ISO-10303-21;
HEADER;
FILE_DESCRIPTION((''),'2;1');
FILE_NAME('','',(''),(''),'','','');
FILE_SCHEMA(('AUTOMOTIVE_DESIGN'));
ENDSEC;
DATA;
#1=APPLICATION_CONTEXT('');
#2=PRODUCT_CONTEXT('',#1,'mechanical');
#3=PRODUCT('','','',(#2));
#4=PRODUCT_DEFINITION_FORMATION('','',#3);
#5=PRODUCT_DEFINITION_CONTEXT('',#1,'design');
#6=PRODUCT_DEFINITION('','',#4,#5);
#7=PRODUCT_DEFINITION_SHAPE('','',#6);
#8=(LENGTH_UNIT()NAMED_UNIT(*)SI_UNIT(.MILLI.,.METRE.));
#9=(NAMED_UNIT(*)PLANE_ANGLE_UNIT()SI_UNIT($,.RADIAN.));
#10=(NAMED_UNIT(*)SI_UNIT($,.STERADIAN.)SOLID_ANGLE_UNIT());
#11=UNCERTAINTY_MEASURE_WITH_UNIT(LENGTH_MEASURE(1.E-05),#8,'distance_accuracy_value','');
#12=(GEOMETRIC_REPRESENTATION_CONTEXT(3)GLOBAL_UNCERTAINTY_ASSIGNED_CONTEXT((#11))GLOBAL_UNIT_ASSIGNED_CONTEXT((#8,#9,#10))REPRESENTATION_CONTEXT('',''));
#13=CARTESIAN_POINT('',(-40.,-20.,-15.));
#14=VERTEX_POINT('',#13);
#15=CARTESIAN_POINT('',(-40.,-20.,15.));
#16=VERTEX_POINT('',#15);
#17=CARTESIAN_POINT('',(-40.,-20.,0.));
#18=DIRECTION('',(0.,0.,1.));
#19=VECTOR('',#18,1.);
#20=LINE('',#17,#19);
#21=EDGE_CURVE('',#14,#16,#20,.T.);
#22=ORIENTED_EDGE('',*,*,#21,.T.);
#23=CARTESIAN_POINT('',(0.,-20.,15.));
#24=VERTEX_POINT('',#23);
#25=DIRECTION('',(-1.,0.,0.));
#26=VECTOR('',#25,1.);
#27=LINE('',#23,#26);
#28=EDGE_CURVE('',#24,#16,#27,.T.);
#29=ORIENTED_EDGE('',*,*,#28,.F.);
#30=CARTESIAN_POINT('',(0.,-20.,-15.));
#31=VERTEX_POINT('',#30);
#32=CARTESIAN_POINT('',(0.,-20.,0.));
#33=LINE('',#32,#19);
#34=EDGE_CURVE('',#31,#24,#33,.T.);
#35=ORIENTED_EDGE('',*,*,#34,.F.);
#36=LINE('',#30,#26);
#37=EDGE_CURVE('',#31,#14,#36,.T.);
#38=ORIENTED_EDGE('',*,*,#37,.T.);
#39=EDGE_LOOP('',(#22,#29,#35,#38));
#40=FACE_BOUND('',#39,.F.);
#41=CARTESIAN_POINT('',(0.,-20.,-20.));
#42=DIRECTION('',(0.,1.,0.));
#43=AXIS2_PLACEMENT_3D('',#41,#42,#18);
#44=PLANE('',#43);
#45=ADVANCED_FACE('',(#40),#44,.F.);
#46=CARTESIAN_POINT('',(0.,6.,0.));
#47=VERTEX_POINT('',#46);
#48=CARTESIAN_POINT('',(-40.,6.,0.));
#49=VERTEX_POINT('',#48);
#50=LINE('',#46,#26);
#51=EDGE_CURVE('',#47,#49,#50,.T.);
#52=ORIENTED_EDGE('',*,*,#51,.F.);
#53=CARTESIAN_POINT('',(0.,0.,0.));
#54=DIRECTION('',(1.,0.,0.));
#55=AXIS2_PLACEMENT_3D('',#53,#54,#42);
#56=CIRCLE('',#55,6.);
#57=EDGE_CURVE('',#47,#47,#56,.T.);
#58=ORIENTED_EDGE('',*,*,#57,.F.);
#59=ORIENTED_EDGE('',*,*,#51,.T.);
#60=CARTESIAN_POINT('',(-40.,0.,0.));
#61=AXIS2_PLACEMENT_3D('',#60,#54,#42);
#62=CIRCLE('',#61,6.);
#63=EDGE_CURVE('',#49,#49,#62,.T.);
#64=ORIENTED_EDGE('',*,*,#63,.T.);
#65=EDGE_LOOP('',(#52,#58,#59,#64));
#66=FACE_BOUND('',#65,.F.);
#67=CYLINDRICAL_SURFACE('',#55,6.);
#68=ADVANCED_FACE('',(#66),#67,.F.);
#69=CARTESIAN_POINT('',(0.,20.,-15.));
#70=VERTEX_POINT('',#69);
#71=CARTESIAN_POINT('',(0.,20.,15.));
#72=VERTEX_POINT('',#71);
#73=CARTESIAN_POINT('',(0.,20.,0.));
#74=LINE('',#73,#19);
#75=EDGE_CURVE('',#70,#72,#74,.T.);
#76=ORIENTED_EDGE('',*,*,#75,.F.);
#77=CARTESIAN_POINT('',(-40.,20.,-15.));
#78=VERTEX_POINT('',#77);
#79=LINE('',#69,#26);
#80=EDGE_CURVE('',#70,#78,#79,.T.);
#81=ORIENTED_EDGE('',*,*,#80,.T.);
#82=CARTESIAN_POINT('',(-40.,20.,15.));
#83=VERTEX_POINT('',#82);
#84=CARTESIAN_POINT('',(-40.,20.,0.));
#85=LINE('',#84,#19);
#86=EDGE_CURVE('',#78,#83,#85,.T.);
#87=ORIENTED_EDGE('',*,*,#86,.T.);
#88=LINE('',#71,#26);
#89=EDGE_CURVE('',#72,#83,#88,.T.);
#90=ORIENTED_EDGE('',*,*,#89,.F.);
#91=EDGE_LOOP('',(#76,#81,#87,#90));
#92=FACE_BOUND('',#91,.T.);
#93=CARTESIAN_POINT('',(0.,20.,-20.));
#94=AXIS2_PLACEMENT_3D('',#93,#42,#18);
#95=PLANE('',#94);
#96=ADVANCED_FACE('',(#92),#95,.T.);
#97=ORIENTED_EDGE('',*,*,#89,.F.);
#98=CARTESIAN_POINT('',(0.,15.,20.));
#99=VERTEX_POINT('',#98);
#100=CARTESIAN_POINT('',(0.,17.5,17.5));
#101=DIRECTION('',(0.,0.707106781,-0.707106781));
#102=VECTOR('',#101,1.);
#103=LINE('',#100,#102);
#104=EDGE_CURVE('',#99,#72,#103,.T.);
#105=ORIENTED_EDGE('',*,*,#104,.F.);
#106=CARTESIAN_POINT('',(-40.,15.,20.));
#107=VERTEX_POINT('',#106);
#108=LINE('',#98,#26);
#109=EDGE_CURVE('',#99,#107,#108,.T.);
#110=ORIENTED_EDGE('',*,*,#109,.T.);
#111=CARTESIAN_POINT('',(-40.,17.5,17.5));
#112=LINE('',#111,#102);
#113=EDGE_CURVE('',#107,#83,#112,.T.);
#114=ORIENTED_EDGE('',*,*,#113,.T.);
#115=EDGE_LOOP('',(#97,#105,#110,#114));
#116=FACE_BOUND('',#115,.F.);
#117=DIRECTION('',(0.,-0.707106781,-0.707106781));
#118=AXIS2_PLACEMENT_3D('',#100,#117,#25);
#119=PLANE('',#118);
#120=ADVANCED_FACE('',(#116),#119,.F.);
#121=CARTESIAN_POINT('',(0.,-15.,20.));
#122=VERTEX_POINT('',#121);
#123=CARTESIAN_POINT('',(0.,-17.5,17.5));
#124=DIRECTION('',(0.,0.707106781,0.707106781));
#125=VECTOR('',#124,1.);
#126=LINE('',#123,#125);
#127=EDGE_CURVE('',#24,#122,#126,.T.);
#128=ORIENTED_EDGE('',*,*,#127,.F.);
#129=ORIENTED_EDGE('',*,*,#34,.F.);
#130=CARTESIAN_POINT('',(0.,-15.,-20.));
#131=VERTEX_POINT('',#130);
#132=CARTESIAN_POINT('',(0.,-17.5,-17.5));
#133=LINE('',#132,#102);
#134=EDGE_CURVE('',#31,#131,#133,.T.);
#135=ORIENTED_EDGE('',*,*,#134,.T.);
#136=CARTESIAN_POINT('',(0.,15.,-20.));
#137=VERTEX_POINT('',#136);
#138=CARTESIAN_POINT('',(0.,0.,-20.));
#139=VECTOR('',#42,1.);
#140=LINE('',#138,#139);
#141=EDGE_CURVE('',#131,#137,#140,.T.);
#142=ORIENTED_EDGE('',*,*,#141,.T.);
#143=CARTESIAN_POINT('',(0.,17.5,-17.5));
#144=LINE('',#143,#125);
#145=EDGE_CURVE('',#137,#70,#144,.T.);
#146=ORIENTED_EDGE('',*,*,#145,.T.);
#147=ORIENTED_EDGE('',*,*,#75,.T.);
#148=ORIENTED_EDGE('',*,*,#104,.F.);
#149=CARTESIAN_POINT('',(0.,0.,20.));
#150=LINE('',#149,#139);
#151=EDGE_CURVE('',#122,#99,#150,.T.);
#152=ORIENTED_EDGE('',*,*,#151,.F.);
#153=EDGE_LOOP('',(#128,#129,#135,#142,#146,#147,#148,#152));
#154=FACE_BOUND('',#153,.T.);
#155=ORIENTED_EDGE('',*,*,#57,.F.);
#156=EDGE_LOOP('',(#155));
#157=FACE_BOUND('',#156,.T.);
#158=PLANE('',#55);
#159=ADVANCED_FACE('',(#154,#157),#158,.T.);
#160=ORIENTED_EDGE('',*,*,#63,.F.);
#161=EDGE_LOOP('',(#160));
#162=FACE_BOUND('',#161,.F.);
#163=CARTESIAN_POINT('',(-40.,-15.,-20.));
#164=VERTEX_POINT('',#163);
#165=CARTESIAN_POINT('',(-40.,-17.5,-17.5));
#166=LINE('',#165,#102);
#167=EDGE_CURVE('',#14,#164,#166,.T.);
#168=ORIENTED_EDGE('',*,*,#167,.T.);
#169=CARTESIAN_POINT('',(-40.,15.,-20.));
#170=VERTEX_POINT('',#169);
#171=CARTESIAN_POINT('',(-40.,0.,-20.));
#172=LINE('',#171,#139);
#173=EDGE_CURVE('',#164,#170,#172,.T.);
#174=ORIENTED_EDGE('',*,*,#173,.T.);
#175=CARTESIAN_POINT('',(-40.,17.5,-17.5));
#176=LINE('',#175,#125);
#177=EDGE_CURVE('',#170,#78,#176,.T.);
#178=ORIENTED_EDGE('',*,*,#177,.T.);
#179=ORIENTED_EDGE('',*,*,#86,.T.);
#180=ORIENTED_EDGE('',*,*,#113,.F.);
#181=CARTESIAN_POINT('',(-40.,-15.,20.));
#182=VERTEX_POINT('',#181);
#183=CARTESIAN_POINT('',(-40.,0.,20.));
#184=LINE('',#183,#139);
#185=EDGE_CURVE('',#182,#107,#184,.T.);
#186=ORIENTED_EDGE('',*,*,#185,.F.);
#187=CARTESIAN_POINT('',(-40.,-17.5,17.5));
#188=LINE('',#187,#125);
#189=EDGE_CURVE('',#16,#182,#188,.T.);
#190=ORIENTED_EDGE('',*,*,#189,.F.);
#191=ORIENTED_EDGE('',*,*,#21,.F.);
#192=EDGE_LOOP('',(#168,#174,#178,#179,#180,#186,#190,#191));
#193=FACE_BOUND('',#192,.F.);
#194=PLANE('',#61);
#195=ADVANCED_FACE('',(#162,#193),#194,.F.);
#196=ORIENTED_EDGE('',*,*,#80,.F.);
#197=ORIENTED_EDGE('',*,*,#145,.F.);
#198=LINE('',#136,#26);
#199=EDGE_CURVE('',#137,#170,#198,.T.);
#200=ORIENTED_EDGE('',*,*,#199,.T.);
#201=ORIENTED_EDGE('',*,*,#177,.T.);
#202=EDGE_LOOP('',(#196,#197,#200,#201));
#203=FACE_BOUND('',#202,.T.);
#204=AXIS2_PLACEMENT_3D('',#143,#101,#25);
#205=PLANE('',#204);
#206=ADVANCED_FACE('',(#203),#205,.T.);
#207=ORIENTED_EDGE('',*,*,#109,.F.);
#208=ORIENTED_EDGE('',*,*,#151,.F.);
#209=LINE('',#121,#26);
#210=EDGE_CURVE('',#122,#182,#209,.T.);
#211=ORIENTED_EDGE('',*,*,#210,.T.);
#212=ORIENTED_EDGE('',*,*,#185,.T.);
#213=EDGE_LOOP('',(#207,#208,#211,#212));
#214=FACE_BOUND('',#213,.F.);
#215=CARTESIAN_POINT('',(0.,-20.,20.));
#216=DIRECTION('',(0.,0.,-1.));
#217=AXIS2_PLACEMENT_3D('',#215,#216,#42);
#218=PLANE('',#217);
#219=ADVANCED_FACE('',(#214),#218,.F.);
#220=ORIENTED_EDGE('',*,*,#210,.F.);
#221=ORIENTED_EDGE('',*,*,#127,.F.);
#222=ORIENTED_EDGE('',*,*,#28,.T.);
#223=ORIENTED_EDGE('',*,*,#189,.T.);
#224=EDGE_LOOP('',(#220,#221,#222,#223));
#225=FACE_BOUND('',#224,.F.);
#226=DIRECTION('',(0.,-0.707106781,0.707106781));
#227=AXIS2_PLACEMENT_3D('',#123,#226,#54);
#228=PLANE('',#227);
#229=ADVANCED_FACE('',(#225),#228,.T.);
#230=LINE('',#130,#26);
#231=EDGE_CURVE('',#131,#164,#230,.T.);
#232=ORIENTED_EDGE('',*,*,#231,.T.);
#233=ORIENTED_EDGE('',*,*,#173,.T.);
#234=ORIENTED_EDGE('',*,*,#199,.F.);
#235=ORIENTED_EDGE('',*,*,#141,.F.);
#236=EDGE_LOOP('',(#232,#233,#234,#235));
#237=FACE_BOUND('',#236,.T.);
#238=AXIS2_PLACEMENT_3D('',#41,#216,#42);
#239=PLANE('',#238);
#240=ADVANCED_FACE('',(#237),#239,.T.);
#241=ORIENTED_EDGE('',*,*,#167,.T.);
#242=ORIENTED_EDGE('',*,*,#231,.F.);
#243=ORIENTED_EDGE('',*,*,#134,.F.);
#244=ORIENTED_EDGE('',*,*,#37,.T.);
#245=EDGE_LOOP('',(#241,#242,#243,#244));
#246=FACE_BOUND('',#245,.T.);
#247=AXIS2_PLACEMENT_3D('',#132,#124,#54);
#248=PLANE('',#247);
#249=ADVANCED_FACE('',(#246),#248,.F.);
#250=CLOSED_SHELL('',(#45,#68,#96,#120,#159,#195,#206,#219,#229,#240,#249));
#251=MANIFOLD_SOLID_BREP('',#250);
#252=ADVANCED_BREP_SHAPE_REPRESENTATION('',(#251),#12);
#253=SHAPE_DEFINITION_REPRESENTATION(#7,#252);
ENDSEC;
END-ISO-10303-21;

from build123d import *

# Parameters (mm, degrees)
F0_W     = 40
F0_H     = 40
F0_R     = 6
F1_DEPTH = 40
F2_SIZE  = 5


with BuildPart() as f1:
    # F0 (on Right) → F1 (new body)
    with BuildSketch(Plane.YZ):
        Rectangle(F0_W, F0_H)
        Circle(F0_R, mode=Mode.SUBTRACT)
    extrude(amount=-F1_DEPTH)

    # F2
    f2_edges = [f1.edges().sort_by_distance(p)[0] for p in [
        (-20, -20, 20),
        (-20, 20, 20),
        (-20, -20, -20),
        (-20, 20, -20),
    ]]
    chamfer(f2_edges, length=F2_SIZE)


solid = f1.part
